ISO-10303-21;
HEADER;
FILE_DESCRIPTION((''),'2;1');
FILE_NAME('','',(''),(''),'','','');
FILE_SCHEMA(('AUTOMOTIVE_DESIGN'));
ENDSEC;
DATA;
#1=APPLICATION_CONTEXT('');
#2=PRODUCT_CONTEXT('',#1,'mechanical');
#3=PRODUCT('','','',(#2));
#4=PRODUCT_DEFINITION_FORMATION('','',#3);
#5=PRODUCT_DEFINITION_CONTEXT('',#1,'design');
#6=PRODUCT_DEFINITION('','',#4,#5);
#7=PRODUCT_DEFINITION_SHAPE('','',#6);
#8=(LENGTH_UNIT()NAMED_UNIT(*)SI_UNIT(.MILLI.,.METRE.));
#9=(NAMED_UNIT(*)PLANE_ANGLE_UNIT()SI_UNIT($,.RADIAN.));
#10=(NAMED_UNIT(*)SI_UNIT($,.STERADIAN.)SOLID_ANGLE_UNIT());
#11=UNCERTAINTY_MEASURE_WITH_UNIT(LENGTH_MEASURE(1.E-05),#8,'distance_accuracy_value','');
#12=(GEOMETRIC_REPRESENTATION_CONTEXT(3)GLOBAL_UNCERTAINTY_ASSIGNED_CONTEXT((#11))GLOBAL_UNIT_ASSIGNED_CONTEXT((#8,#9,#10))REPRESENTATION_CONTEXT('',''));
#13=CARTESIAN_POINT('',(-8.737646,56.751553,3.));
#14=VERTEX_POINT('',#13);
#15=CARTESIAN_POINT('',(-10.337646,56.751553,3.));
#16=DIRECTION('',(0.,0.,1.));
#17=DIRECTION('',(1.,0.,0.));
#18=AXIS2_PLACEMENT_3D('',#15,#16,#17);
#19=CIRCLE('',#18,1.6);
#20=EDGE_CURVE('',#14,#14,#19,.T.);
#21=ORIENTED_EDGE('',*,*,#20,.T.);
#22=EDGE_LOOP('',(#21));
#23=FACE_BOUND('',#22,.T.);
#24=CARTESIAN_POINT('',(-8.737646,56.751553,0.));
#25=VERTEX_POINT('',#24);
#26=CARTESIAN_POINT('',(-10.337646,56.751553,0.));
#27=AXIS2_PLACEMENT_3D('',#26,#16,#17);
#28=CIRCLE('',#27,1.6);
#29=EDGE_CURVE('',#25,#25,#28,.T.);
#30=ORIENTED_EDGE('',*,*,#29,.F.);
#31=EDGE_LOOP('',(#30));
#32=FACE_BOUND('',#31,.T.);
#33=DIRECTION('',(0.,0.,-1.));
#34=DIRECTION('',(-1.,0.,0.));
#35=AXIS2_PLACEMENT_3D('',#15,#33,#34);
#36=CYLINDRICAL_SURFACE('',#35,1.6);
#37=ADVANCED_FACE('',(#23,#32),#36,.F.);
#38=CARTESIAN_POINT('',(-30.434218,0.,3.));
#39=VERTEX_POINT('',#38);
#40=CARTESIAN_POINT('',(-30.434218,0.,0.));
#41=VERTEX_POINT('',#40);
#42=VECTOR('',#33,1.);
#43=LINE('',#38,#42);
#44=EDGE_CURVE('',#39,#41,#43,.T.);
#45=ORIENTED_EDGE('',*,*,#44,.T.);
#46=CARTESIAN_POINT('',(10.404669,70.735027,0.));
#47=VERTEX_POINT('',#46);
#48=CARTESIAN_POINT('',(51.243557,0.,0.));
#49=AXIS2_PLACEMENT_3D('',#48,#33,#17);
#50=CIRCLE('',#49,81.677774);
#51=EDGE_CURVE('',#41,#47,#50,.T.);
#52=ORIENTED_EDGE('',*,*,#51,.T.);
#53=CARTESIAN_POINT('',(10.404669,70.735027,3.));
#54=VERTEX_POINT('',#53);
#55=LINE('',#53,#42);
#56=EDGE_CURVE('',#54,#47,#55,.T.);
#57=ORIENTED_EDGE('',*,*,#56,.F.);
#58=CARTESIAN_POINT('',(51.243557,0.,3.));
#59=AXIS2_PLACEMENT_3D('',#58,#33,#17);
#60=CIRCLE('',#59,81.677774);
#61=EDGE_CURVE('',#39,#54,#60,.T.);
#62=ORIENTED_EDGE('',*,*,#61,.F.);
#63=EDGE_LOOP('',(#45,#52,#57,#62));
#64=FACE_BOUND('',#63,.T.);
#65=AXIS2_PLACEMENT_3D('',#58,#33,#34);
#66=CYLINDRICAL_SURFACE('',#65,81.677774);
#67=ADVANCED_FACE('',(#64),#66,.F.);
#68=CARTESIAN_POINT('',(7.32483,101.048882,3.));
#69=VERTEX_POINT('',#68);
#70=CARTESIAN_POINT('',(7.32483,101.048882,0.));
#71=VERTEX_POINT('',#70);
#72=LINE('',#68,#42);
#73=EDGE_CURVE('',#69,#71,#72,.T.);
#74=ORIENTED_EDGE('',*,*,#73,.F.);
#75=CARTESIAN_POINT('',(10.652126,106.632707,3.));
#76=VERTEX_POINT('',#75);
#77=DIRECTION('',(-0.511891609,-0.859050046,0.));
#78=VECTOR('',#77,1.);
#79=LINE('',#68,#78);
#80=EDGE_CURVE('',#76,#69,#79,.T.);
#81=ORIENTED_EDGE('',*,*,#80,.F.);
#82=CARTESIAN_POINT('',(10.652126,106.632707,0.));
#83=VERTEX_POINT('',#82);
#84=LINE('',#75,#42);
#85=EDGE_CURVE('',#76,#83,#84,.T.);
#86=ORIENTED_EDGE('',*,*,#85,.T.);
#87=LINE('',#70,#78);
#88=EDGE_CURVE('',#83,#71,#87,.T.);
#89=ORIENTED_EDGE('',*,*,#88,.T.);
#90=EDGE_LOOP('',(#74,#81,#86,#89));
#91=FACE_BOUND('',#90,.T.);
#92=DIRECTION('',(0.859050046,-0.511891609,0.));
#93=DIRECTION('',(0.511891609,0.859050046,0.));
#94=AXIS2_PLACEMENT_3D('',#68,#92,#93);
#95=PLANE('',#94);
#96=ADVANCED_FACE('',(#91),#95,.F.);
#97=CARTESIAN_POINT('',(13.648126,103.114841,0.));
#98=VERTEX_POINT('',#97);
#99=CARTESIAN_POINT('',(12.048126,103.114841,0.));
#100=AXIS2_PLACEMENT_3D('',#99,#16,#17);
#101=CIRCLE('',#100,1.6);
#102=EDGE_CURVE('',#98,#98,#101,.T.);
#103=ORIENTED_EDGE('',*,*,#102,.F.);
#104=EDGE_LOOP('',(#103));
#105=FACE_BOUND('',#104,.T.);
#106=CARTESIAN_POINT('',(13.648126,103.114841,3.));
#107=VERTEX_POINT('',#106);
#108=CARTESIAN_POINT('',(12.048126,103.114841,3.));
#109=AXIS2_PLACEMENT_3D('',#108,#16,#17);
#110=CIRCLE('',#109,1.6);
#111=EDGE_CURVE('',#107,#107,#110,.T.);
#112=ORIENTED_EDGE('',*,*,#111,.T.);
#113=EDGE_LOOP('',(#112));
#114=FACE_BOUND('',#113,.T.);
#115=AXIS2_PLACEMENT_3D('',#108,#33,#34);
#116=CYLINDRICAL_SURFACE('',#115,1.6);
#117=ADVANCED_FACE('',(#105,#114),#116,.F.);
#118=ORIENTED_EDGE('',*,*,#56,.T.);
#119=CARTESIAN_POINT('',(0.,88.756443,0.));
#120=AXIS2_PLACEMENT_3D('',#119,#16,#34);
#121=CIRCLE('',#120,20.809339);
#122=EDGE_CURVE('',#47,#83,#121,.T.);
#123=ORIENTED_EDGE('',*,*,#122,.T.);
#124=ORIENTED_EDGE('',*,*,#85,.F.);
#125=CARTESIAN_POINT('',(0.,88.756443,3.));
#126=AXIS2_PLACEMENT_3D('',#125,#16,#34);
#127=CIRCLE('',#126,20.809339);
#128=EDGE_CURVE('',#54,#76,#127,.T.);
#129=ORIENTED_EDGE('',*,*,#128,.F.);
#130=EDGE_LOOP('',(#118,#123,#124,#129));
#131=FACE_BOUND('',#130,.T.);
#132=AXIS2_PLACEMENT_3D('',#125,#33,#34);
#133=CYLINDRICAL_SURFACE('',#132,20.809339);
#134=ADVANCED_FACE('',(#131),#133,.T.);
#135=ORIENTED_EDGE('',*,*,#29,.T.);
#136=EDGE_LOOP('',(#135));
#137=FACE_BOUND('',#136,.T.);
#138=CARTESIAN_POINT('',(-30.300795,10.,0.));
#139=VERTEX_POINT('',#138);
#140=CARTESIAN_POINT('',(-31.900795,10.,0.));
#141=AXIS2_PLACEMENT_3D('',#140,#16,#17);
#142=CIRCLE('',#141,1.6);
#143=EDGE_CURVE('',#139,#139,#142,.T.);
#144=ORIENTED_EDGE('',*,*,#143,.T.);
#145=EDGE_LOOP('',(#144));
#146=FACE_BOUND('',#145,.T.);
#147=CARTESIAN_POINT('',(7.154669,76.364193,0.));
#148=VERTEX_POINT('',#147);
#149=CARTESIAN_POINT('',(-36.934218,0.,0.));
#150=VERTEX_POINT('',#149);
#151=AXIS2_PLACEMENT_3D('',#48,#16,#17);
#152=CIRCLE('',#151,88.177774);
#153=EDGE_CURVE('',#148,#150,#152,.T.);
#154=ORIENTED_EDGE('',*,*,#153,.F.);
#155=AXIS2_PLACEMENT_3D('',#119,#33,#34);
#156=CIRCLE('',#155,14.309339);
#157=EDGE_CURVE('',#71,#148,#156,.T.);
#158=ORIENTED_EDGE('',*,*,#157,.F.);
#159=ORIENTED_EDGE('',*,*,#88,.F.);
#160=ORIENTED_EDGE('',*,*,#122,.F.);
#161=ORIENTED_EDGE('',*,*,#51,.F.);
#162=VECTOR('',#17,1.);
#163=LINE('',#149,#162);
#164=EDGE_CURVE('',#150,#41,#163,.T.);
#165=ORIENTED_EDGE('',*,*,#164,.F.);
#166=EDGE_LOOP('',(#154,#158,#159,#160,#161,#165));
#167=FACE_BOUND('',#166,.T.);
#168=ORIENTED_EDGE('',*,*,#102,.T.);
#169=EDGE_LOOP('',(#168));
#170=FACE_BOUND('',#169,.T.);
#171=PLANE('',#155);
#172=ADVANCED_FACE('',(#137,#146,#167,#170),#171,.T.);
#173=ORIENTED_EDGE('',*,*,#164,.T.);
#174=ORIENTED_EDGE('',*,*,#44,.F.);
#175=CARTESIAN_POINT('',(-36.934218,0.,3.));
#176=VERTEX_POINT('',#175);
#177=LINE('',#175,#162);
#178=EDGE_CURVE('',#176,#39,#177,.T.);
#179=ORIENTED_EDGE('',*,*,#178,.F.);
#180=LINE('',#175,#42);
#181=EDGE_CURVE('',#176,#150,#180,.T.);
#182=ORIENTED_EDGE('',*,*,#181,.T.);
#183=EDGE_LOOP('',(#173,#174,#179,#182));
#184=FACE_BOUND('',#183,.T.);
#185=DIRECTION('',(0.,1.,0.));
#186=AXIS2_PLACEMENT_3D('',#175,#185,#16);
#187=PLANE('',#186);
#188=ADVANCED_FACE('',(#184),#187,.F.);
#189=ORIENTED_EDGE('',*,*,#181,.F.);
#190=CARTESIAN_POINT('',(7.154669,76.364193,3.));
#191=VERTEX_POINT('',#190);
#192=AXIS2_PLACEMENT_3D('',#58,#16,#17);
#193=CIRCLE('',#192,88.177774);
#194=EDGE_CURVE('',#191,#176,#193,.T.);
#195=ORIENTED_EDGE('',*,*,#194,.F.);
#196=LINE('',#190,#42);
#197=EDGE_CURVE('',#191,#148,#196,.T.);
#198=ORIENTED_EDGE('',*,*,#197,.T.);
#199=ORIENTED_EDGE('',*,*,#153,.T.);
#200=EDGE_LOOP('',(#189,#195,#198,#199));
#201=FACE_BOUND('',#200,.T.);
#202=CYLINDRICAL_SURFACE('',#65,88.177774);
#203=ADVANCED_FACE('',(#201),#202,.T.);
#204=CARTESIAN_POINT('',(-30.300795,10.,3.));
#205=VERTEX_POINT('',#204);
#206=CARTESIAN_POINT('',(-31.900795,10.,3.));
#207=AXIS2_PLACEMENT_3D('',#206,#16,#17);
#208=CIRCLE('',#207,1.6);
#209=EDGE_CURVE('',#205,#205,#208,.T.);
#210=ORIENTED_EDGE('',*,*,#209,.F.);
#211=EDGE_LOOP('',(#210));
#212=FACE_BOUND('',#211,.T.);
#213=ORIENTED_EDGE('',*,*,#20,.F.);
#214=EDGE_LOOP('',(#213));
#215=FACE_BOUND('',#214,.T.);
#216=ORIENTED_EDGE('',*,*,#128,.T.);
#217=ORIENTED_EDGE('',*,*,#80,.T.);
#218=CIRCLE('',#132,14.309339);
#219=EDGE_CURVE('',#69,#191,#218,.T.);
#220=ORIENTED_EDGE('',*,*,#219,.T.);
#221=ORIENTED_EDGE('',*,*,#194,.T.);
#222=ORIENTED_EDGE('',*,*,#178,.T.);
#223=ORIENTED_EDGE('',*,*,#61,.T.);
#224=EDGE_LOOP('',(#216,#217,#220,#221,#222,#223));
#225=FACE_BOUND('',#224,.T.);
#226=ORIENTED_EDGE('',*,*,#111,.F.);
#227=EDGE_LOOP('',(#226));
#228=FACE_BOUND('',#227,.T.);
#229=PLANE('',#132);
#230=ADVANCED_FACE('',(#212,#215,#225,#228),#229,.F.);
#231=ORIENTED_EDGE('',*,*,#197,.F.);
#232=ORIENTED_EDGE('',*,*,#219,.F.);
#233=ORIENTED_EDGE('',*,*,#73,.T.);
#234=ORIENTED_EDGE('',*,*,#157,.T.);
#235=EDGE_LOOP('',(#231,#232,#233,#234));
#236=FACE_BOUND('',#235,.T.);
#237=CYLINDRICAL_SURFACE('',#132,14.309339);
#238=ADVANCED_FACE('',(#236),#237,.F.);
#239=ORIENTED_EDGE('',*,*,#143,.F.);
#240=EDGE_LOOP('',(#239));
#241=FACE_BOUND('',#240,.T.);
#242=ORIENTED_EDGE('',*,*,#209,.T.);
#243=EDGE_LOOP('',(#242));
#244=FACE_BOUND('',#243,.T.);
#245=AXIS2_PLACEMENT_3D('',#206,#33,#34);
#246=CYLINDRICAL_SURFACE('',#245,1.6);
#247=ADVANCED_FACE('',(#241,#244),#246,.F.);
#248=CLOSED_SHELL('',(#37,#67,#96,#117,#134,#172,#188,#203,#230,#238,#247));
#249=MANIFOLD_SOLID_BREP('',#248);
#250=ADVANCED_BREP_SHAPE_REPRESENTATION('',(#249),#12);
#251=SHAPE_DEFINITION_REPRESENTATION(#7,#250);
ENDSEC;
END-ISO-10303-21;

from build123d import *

# Parameters (mm, degrees)
SKETCH1_R           = 1.6
BOSS_EXTRUDE1_DEPTH = 3


with BuildPart() as part:
    # Sketch1 → Boss-Extrude1 (new body)
    with BuildSketch(Plane.XY):
        with BuildLine():
            Line((-36.934217786, 0), (-30.434217786, 0))
            ThreePointArc((-30.434217786, 0), (-19.491470952, 40.838887158), (10.404669372, 70.735027482))
            ThreePointArc((10.404669372, 70.735027482), (20.808844345, 88.613000102), (10.652125885, 106.632706869))
            Line((10.652125885, 106.632706869), (7.324830428, 101.048881572))
            ThreePointArc((7.324830428, 101.048881572), (14.308998775, 88.657806037), (7.154669372, 76.364192606))
            ThreePointArc((7.154669372, 76.364192606), (-25.120636077, 44.088887158), (-36.934217786, 0))
        make_face()
        with Locations((12.048125899, 103.114840794)):
            Circle(SKETCH1_R, mode=Mode.SUBTRACT)
        with Locations((-10.337645521, 56.751553408)):
            Circle(SKETCH1_R, mode=Mode.SUBTRACT)
        with Locations((-31.900795415, 10)):
            Circle(SKETCH1_R, mode=Mode.SUBTRACT)
    extrude(amount=BOSS_EXTRUDE1_DEPTH)


solid = part.part
